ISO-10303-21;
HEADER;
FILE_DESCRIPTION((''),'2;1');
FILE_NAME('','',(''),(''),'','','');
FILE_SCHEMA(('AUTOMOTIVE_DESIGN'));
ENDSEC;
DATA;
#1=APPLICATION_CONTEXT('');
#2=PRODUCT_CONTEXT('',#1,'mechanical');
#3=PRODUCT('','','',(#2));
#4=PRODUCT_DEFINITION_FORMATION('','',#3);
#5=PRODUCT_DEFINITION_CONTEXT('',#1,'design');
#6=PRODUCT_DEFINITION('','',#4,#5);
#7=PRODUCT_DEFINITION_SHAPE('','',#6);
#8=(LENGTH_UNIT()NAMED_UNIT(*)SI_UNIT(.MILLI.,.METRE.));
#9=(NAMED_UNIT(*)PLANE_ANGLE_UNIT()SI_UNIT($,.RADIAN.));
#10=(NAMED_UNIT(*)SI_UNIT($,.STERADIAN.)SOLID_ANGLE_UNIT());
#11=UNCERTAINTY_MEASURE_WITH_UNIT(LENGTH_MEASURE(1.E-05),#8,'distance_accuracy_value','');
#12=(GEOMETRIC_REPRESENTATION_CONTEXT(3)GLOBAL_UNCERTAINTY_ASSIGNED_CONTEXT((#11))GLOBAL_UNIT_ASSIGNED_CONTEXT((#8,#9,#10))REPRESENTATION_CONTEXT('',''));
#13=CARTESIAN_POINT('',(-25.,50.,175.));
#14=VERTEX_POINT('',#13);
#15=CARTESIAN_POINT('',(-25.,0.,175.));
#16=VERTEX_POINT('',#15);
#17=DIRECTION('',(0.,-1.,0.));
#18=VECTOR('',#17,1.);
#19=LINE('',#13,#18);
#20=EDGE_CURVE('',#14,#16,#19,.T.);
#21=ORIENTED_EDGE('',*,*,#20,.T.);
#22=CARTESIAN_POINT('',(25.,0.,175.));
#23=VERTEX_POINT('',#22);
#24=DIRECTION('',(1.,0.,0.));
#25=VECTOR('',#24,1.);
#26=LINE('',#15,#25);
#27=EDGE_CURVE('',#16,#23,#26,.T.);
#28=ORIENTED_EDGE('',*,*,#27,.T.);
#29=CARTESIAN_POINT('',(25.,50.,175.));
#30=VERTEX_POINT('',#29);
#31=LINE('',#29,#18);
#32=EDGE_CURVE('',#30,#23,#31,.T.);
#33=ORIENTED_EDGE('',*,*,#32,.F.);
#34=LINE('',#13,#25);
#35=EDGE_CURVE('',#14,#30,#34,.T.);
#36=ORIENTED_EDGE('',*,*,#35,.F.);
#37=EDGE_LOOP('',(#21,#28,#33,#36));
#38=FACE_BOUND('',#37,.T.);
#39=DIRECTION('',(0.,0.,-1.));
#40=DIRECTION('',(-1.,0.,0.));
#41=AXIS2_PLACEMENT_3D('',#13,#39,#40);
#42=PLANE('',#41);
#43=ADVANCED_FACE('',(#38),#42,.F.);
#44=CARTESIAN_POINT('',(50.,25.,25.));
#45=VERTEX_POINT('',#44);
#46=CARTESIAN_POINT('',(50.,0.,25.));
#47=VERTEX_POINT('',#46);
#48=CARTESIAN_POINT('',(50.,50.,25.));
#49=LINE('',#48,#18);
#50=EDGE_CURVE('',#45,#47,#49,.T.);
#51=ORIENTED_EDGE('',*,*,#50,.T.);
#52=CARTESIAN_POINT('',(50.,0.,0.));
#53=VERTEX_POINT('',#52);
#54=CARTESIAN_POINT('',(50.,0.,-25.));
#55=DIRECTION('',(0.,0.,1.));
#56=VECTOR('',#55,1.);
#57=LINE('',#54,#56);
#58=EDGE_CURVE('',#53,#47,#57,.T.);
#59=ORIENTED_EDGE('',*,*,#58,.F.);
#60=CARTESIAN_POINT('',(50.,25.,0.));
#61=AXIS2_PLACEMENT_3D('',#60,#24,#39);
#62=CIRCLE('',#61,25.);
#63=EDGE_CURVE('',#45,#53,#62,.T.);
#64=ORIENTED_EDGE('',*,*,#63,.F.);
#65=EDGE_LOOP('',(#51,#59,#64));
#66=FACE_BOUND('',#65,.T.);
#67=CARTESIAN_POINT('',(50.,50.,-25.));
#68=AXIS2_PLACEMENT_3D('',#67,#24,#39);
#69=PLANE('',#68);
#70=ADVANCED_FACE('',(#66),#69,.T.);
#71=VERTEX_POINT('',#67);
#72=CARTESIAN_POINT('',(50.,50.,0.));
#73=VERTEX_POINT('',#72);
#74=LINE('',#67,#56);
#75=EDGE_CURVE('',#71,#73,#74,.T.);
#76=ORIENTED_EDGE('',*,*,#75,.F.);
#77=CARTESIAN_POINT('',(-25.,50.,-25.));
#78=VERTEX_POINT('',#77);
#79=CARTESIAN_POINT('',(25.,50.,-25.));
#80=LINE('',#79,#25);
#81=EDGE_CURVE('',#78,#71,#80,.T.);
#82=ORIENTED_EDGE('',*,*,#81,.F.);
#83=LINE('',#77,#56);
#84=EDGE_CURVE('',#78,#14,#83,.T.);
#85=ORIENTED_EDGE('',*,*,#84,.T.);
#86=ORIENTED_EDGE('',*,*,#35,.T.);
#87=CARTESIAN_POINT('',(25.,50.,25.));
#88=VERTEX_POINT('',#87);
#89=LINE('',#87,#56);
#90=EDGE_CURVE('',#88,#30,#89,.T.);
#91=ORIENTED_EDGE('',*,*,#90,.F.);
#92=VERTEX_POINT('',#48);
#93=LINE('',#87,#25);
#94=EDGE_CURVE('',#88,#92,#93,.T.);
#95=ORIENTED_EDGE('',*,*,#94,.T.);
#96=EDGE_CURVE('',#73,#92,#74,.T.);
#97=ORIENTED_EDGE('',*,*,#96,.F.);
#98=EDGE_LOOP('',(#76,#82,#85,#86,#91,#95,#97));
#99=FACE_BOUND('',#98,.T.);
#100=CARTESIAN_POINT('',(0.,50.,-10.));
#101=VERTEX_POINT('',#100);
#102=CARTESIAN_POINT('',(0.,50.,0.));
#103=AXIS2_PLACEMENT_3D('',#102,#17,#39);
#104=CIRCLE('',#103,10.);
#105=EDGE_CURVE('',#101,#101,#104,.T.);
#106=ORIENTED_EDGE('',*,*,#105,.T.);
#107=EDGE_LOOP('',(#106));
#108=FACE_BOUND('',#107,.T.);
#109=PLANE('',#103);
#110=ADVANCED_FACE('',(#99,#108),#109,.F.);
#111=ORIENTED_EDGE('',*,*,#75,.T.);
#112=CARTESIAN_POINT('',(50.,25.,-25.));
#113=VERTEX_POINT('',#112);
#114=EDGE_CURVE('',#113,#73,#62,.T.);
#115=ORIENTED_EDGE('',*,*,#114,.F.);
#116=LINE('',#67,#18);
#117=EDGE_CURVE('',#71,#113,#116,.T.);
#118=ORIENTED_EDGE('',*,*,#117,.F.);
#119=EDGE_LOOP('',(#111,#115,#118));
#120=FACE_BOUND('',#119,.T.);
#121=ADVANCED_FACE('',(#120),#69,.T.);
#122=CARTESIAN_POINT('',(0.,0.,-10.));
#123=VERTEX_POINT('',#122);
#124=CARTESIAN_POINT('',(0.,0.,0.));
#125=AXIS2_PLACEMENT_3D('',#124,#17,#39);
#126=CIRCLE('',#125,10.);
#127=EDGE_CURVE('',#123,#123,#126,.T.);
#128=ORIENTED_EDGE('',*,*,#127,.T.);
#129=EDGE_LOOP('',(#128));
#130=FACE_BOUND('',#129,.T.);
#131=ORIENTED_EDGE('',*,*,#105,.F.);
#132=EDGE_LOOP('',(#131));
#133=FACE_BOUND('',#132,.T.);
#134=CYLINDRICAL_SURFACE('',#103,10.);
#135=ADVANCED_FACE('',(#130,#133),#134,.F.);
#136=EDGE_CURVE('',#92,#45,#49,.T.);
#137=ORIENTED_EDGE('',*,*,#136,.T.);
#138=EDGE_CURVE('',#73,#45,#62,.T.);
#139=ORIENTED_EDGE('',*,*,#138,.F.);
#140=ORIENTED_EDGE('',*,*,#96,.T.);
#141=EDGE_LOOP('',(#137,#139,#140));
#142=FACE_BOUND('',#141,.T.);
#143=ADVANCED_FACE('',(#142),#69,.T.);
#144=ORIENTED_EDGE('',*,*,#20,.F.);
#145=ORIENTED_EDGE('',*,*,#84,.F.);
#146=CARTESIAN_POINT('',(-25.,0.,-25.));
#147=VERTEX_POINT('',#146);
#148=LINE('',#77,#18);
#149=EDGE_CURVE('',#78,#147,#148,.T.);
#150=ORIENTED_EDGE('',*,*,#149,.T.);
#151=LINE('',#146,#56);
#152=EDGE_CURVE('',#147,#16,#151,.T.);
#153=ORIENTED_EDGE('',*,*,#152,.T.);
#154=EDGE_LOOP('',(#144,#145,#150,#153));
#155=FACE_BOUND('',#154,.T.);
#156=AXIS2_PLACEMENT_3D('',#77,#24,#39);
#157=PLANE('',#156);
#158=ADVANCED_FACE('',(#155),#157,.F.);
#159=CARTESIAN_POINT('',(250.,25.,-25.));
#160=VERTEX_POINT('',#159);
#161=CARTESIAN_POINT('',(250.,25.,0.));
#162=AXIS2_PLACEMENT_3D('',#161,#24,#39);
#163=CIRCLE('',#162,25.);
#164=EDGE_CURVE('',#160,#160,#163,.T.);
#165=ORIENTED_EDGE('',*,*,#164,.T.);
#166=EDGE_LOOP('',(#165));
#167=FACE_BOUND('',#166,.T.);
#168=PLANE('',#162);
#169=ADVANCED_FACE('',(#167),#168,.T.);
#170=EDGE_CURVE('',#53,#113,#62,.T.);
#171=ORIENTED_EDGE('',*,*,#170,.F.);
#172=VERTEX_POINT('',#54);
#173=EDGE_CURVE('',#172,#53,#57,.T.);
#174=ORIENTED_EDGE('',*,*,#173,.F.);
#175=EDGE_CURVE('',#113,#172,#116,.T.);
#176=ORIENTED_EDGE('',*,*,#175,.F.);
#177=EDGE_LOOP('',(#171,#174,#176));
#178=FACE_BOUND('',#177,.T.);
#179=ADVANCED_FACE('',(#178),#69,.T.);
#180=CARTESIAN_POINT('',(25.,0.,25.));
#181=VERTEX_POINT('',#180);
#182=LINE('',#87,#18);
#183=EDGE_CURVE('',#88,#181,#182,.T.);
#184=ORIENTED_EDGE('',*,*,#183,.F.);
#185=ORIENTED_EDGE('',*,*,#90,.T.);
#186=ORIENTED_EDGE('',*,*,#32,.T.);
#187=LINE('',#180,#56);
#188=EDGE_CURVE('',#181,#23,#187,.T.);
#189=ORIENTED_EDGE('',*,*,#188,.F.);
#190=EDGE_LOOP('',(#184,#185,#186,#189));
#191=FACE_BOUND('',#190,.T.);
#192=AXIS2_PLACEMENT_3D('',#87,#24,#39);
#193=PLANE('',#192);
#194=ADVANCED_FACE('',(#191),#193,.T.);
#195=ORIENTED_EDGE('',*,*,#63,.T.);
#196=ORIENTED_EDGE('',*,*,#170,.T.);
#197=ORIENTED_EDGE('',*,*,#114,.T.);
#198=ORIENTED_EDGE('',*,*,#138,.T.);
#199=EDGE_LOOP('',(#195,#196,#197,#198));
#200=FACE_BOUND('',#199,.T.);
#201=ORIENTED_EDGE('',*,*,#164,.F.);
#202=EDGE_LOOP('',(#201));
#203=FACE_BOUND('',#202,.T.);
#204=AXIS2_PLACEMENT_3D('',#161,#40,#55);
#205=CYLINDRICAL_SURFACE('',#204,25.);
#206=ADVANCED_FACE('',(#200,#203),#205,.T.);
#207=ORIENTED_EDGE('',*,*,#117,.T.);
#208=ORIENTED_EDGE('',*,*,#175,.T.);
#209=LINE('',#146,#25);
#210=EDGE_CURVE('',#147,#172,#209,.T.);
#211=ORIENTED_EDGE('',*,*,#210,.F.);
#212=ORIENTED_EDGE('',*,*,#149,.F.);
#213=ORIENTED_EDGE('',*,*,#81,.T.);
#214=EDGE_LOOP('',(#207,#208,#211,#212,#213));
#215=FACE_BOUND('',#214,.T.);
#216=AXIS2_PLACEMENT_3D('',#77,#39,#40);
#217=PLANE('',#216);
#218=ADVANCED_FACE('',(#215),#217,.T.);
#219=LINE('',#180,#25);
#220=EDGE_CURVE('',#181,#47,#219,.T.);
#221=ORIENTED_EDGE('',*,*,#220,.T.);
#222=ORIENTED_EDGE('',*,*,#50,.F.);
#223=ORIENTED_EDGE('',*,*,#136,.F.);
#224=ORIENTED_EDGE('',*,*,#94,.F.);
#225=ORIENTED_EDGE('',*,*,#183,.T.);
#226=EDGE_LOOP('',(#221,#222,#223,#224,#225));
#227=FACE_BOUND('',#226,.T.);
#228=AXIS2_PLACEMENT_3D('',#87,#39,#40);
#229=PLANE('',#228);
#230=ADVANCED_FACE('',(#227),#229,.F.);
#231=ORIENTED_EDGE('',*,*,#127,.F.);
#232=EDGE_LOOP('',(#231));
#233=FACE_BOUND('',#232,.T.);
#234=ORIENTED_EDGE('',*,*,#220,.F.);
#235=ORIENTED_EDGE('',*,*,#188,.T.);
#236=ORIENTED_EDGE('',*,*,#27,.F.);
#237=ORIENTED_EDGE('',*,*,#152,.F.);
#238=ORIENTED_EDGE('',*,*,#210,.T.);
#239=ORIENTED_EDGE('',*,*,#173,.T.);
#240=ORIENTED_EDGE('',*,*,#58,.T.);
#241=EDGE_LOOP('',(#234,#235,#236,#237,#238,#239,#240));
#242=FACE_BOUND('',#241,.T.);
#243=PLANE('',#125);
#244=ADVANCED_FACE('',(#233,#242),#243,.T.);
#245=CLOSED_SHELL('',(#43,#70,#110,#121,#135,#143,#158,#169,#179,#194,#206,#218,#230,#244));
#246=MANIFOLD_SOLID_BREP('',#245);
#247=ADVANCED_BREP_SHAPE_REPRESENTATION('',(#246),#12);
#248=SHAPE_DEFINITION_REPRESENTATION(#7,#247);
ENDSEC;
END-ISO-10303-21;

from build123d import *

# Parameters (mm, degrees)
BOSS_EXTRUDE2_DEPTH = 50
SKETCH2_R           = 10
CUT_EXTRUDE1_DEPTH  = 189.745860882
SKETCH3_R           = 25
BOSS_EXTRUDE3_DEPTH = 200


with BuildPart() as part:
    # Sketch1 → Boss-Extrude2 (new body)
    with BuildSketch(Plane(origin=(0, 0, 0), x_dir=(1, 0, 0), z_dir=(0, 1, 0))):
        Polygon((-25, 25), (25, 25), (50, 25), (50, -25), (25, -25), (25, -175), (-25, -175), align=None)
    extrude(amount=BOSS_EXTRUDE2_DEPTH)

    # Sketch2 → Cut-Extrude1 (cut, through all)
    with BuildSketch(Plane.XZ):
        with Locations(Location((0, 0, 0), (0, 0, 270))):
            Circle(SKETCH2_R)
    extrude(amount=-CUT_EXTRUDE1_DEPTH, mode=Mode.SUBTRACT)

    # Sketch3 → Boss-Extrude3 (add)
    with BuildSketch(Plane(origin=(50, 0, 0), x_dir=(0, 0, -1), z_dir=(1, 0, 0))):
        with Locations((0, 25)):
            Circle(SKETCH3_R)
    extrude(amount=BOSS_EXTRUDE3_DEPTH)


solid = part.part
